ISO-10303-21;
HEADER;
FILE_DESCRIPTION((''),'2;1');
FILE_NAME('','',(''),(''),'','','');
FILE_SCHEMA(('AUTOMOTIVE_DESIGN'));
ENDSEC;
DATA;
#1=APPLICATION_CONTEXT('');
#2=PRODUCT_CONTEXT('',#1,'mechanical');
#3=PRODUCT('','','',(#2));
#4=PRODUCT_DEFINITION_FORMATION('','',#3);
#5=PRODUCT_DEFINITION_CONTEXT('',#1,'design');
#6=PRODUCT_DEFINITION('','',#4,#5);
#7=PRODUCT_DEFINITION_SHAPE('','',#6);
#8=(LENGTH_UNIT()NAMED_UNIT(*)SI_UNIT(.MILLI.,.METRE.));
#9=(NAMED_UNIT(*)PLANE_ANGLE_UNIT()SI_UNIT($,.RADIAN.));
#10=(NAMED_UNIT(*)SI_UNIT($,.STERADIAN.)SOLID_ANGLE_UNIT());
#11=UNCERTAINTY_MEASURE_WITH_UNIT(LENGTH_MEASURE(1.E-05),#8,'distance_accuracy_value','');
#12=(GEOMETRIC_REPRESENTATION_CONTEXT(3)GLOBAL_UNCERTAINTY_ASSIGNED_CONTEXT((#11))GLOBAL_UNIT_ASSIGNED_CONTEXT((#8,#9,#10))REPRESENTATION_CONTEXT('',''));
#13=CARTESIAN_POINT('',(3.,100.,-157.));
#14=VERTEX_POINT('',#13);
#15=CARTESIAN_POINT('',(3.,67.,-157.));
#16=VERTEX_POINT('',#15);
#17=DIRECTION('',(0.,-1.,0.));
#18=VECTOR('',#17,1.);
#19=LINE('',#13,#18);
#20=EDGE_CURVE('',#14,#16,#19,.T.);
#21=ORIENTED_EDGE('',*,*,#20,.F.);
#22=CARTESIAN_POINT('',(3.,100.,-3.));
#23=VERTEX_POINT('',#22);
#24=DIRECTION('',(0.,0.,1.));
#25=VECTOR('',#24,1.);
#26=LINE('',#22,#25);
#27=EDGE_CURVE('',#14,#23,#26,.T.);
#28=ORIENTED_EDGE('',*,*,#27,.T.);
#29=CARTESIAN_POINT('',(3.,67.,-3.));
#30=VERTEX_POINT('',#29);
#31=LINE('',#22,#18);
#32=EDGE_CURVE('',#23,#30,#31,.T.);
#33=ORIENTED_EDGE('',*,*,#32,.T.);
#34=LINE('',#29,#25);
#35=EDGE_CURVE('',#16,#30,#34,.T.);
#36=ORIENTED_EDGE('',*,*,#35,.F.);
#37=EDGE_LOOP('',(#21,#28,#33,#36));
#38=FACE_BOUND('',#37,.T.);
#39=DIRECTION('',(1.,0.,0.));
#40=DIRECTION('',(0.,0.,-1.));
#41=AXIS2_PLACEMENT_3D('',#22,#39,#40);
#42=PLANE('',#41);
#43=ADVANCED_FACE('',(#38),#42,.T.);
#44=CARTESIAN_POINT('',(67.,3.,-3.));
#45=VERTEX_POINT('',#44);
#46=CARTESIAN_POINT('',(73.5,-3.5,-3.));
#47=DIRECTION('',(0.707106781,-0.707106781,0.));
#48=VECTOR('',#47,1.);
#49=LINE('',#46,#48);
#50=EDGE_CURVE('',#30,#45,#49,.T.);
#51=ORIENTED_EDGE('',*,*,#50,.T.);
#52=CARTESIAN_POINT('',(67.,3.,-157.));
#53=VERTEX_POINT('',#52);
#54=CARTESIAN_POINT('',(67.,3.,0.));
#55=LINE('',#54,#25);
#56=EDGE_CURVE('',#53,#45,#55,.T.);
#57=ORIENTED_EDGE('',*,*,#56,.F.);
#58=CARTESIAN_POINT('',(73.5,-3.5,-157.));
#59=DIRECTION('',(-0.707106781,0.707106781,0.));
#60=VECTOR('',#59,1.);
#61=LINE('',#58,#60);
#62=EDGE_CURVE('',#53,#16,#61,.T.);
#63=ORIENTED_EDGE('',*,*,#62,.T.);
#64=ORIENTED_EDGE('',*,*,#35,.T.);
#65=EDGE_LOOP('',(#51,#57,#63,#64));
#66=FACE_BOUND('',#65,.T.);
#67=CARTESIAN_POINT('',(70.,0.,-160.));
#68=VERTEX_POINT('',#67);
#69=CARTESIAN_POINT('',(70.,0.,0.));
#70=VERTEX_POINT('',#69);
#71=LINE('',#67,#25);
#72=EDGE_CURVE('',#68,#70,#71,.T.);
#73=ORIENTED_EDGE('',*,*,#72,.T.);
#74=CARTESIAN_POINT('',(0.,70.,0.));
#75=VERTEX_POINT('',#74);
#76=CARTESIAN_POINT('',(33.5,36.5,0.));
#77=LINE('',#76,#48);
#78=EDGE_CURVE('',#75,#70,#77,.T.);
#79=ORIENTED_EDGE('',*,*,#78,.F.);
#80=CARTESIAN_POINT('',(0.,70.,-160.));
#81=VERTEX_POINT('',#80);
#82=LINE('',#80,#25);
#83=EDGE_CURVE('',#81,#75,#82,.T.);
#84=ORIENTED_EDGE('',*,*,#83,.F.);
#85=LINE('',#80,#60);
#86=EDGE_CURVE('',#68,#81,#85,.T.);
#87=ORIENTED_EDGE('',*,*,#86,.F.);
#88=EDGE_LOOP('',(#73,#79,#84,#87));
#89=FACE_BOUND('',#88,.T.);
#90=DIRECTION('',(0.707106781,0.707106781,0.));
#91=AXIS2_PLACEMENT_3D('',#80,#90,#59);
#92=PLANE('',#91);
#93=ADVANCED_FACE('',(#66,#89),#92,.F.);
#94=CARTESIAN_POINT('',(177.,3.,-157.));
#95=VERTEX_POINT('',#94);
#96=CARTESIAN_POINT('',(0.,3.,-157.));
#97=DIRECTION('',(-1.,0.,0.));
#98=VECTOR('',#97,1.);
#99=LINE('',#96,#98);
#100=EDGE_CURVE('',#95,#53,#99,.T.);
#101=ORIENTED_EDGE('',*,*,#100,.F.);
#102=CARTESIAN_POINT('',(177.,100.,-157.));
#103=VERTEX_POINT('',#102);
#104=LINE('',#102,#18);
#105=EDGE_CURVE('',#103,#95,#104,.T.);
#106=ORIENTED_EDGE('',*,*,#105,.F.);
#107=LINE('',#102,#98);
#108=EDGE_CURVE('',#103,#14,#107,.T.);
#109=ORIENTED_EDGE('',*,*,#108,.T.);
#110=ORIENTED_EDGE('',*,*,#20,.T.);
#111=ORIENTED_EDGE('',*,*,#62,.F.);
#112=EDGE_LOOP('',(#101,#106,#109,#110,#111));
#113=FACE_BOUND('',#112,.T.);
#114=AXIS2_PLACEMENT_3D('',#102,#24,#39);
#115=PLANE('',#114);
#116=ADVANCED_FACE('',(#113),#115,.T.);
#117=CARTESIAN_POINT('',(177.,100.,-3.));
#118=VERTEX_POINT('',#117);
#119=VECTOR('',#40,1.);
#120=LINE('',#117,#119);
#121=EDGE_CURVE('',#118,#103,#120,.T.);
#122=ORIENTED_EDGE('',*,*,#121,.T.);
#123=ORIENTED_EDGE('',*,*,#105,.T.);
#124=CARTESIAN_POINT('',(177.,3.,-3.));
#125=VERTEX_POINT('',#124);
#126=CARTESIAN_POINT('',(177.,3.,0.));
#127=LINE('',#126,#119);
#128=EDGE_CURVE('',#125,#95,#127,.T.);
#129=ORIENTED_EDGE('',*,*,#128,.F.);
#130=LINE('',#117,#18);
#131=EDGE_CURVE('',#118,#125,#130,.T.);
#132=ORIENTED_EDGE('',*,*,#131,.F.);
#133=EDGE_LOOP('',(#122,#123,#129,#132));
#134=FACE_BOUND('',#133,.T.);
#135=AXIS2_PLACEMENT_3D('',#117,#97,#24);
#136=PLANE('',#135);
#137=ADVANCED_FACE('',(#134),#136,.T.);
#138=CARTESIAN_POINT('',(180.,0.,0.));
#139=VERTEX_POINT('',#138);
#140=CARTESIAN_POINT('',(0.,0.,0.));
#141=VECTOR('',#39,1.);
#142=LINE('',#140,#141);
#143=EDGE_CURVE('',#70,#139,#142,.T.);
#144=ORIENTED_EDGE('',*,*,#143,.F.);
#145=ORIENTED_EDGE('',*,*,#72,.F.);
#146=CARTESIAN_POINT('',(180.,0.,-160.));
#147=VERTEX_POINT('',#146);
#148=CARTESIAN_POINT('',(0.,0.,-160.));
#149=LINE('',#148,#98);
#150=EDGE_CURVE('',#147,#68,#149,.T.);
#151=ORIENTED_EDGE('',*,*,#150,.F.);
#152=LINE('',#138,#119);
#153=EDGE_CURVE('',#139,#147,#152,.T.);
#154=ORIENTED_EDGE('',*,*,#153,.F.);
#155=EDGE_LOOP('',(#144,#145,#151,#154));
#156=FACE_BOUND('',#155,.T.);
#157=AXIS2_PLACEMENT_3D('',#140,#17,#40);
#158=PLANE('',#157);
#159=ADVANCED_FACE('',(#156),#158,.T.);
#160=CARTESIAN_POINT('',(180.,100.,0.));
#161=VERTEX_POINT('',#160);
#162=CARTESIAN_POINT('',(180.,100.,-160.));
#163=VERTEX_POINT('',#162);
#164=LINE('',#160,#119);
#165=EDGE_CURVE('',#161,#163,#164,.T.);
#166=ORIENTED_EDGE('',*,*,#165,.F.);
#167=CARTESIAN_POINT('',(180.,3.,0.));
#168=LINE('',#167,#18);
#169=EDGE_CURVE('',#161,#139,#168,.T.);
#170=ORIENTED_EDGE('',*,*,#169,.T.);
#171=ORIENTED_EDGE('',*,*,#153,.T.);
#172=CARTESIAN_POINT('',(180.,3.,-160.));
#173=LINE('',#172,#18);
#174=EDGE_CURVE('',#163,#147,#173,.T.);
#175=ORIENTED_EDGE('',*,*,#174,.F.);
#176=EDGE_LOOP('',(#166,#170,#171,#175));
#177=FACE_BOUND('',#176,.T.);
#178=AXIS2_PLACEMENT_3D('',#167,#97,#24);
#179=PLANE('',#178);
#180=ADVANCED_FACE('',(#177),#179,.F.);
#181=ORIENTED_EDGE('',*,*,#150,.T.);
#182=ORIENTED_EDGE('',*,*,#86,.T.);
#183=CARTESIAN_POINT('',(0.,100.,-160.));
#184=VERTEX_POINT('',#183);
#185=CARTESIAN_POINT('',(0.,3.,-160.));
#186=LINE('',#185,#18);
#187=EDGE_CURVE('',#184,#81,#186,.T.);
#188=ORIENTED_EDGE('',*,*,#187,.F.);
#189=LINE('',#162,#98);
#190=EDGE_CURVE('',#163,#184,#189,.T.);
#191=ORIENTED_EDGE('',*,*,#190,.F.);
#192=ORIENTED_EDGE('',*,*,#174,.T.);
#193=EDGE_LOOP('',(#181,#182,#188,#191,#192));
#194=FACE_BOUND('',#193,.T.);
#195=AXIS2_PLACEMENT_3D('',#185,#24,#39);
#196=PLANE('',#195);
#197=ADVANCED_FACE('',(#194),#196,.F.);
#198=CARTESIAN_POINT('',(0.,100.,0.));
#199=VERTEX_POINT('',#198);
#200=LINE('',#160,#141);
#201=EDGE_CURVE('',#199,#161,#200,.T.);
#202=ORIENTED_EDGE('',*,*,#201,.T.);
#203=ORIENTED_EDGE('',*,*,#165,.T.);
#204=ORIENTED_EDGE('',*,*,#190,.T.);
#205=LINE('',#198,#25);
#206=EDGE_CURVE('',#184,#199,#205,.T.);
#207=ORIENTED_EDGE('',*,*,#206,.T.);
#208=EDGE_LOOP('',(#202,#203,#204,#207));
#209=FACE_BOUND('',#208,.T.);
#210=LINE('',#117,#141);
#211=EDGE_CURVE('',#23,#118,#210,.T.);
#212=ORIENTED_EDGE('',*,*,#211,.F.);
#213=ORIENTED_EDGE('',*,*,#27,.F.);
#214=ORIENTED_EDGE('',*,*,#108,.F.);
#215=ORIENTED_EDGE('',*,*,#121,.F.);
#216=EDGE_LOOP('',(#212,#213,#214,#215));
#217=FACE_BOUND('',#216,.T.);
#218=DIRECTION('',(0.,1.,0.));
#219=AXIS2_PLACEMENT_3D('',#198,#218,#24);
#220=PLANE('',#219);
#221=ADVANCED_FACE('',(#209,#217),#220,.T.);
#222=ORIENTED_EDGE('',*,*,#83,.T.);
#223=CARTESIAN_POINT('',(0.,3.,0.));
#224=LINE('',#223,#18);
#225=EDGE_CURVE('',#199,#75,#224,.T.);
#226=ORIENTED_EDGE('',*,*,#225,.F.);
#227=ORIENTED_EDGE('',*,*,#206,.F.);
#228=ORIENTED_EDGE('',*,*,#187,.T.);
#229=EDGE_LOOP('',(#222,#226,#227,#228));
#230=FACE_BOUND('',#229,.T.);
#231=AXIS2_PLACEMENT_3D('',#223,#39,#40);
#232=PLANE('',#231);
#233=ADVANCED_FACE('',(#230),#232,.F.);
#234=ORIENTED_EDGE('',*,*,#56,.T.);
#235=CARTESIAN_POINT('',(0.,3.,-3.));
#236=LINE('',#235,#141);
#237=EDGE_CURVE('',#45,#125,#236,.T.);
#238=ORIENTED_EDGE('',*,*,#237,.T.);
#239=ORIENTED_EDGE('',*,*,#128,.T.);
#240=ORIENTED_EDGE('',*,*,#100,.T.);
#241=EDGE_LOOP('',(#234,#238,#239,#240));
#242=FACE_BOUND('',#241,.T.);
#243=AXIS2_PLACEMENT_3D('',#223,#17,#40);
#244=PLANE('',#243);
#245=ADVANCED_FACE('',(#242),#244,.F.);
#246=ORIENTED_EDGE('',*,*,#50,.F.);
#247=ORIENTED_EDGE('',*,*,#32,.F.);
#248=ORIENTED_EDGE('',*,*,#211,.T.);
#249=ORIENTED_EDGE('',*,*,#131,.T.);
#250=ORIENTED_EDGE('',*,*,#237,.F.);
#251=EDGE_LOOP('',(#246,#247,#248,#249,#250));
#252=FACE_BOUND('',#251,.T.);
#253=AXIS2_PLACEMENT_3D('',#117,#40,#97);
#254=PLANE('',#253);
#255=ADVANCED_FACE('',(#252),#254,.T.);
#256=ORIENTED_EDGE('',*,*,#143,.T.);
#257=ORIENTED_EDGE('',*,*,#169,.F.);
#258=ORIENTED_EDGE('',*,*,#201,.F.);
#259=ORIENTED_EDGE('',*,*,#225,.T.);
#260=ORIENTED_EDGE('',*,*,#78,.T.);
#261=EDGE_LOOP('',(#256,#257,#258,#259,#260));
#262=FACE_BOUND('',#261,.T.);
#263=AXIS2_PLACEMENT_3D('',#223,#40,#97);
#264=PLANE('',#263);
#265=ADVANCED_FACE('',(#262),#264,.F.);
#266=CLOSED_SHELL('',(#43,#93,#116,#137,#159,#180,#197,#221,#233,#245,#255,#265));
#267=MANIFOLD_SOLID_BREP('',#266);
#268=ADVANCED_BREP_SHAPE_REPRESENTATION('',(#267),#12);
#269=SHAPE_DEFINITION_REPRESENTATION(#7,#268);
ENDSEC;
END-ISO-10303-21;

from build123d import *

# Parameters (mm, degrees)
SKETCH1_W               = 180
SKETCH1_H               = 160
BOSS_EXTRUDE1_DEPTH     = 3
SKETCH2_W               = 180
SKETCH2_H               = 160
SKETCH2_W_2             = 174
SKETCH2_H_2             = 154
BOSS_EXTRUDE2_DEPTH     = 100
CUT_EXTRUDE1_DEPTH      = 1
CUT_EXTRUDE1_DEPTH_BACK = 161


with BuildPart() as part:
    # Sketch1 → Boss-Extrude1 (new body)
    with BuildSketch(Plane(origin=(0, 0, 0), x_dir=(1, 0, 0), z_dir=(0, 1, 0))):
        with Locations((90, 80)):
            Rectangle(SKETCH1_W, SKETCH1_H)
    extrude(amount=BOSS_EXTRUDE1_DEPTH)

    # Sketch2 → Boss-Extrude2 (add)
    with BuildSketch(Plane(origin=(0, 0, 0), x_dir=(1, 0, 0), z_dir=(0, 1, 0))):
        with Locations((90, 80)):
            Rectangle(SKETCH2_W, SKETCH2_H)
        with Locations((90, 80)):
            Rectangle(SKETCH2_W_2, SKETCH2_H_2, mode=Mode.SUBTRACT)
    extrude(amount=BOSS_EXTRUDE2_DEPTH)

    # Sketch3 → Cut-Extrude1 (cut, two sides)
    with BuildSketch(Plane.XY) as cut_extrude1_sk:
        Polygon((0, 70), (70, 0), (0, 0), align=None)
    extrude(amount=CUT_EXTRUDE1_DEPTH, mode=Mode.SUBTRACT)
    extrude(cut_extrude1_sk.sketch, amount=-CUT_EXTRUDE1_DEPTH_BACK, mode=Mode.SUBTRACT)


solid = part.part
